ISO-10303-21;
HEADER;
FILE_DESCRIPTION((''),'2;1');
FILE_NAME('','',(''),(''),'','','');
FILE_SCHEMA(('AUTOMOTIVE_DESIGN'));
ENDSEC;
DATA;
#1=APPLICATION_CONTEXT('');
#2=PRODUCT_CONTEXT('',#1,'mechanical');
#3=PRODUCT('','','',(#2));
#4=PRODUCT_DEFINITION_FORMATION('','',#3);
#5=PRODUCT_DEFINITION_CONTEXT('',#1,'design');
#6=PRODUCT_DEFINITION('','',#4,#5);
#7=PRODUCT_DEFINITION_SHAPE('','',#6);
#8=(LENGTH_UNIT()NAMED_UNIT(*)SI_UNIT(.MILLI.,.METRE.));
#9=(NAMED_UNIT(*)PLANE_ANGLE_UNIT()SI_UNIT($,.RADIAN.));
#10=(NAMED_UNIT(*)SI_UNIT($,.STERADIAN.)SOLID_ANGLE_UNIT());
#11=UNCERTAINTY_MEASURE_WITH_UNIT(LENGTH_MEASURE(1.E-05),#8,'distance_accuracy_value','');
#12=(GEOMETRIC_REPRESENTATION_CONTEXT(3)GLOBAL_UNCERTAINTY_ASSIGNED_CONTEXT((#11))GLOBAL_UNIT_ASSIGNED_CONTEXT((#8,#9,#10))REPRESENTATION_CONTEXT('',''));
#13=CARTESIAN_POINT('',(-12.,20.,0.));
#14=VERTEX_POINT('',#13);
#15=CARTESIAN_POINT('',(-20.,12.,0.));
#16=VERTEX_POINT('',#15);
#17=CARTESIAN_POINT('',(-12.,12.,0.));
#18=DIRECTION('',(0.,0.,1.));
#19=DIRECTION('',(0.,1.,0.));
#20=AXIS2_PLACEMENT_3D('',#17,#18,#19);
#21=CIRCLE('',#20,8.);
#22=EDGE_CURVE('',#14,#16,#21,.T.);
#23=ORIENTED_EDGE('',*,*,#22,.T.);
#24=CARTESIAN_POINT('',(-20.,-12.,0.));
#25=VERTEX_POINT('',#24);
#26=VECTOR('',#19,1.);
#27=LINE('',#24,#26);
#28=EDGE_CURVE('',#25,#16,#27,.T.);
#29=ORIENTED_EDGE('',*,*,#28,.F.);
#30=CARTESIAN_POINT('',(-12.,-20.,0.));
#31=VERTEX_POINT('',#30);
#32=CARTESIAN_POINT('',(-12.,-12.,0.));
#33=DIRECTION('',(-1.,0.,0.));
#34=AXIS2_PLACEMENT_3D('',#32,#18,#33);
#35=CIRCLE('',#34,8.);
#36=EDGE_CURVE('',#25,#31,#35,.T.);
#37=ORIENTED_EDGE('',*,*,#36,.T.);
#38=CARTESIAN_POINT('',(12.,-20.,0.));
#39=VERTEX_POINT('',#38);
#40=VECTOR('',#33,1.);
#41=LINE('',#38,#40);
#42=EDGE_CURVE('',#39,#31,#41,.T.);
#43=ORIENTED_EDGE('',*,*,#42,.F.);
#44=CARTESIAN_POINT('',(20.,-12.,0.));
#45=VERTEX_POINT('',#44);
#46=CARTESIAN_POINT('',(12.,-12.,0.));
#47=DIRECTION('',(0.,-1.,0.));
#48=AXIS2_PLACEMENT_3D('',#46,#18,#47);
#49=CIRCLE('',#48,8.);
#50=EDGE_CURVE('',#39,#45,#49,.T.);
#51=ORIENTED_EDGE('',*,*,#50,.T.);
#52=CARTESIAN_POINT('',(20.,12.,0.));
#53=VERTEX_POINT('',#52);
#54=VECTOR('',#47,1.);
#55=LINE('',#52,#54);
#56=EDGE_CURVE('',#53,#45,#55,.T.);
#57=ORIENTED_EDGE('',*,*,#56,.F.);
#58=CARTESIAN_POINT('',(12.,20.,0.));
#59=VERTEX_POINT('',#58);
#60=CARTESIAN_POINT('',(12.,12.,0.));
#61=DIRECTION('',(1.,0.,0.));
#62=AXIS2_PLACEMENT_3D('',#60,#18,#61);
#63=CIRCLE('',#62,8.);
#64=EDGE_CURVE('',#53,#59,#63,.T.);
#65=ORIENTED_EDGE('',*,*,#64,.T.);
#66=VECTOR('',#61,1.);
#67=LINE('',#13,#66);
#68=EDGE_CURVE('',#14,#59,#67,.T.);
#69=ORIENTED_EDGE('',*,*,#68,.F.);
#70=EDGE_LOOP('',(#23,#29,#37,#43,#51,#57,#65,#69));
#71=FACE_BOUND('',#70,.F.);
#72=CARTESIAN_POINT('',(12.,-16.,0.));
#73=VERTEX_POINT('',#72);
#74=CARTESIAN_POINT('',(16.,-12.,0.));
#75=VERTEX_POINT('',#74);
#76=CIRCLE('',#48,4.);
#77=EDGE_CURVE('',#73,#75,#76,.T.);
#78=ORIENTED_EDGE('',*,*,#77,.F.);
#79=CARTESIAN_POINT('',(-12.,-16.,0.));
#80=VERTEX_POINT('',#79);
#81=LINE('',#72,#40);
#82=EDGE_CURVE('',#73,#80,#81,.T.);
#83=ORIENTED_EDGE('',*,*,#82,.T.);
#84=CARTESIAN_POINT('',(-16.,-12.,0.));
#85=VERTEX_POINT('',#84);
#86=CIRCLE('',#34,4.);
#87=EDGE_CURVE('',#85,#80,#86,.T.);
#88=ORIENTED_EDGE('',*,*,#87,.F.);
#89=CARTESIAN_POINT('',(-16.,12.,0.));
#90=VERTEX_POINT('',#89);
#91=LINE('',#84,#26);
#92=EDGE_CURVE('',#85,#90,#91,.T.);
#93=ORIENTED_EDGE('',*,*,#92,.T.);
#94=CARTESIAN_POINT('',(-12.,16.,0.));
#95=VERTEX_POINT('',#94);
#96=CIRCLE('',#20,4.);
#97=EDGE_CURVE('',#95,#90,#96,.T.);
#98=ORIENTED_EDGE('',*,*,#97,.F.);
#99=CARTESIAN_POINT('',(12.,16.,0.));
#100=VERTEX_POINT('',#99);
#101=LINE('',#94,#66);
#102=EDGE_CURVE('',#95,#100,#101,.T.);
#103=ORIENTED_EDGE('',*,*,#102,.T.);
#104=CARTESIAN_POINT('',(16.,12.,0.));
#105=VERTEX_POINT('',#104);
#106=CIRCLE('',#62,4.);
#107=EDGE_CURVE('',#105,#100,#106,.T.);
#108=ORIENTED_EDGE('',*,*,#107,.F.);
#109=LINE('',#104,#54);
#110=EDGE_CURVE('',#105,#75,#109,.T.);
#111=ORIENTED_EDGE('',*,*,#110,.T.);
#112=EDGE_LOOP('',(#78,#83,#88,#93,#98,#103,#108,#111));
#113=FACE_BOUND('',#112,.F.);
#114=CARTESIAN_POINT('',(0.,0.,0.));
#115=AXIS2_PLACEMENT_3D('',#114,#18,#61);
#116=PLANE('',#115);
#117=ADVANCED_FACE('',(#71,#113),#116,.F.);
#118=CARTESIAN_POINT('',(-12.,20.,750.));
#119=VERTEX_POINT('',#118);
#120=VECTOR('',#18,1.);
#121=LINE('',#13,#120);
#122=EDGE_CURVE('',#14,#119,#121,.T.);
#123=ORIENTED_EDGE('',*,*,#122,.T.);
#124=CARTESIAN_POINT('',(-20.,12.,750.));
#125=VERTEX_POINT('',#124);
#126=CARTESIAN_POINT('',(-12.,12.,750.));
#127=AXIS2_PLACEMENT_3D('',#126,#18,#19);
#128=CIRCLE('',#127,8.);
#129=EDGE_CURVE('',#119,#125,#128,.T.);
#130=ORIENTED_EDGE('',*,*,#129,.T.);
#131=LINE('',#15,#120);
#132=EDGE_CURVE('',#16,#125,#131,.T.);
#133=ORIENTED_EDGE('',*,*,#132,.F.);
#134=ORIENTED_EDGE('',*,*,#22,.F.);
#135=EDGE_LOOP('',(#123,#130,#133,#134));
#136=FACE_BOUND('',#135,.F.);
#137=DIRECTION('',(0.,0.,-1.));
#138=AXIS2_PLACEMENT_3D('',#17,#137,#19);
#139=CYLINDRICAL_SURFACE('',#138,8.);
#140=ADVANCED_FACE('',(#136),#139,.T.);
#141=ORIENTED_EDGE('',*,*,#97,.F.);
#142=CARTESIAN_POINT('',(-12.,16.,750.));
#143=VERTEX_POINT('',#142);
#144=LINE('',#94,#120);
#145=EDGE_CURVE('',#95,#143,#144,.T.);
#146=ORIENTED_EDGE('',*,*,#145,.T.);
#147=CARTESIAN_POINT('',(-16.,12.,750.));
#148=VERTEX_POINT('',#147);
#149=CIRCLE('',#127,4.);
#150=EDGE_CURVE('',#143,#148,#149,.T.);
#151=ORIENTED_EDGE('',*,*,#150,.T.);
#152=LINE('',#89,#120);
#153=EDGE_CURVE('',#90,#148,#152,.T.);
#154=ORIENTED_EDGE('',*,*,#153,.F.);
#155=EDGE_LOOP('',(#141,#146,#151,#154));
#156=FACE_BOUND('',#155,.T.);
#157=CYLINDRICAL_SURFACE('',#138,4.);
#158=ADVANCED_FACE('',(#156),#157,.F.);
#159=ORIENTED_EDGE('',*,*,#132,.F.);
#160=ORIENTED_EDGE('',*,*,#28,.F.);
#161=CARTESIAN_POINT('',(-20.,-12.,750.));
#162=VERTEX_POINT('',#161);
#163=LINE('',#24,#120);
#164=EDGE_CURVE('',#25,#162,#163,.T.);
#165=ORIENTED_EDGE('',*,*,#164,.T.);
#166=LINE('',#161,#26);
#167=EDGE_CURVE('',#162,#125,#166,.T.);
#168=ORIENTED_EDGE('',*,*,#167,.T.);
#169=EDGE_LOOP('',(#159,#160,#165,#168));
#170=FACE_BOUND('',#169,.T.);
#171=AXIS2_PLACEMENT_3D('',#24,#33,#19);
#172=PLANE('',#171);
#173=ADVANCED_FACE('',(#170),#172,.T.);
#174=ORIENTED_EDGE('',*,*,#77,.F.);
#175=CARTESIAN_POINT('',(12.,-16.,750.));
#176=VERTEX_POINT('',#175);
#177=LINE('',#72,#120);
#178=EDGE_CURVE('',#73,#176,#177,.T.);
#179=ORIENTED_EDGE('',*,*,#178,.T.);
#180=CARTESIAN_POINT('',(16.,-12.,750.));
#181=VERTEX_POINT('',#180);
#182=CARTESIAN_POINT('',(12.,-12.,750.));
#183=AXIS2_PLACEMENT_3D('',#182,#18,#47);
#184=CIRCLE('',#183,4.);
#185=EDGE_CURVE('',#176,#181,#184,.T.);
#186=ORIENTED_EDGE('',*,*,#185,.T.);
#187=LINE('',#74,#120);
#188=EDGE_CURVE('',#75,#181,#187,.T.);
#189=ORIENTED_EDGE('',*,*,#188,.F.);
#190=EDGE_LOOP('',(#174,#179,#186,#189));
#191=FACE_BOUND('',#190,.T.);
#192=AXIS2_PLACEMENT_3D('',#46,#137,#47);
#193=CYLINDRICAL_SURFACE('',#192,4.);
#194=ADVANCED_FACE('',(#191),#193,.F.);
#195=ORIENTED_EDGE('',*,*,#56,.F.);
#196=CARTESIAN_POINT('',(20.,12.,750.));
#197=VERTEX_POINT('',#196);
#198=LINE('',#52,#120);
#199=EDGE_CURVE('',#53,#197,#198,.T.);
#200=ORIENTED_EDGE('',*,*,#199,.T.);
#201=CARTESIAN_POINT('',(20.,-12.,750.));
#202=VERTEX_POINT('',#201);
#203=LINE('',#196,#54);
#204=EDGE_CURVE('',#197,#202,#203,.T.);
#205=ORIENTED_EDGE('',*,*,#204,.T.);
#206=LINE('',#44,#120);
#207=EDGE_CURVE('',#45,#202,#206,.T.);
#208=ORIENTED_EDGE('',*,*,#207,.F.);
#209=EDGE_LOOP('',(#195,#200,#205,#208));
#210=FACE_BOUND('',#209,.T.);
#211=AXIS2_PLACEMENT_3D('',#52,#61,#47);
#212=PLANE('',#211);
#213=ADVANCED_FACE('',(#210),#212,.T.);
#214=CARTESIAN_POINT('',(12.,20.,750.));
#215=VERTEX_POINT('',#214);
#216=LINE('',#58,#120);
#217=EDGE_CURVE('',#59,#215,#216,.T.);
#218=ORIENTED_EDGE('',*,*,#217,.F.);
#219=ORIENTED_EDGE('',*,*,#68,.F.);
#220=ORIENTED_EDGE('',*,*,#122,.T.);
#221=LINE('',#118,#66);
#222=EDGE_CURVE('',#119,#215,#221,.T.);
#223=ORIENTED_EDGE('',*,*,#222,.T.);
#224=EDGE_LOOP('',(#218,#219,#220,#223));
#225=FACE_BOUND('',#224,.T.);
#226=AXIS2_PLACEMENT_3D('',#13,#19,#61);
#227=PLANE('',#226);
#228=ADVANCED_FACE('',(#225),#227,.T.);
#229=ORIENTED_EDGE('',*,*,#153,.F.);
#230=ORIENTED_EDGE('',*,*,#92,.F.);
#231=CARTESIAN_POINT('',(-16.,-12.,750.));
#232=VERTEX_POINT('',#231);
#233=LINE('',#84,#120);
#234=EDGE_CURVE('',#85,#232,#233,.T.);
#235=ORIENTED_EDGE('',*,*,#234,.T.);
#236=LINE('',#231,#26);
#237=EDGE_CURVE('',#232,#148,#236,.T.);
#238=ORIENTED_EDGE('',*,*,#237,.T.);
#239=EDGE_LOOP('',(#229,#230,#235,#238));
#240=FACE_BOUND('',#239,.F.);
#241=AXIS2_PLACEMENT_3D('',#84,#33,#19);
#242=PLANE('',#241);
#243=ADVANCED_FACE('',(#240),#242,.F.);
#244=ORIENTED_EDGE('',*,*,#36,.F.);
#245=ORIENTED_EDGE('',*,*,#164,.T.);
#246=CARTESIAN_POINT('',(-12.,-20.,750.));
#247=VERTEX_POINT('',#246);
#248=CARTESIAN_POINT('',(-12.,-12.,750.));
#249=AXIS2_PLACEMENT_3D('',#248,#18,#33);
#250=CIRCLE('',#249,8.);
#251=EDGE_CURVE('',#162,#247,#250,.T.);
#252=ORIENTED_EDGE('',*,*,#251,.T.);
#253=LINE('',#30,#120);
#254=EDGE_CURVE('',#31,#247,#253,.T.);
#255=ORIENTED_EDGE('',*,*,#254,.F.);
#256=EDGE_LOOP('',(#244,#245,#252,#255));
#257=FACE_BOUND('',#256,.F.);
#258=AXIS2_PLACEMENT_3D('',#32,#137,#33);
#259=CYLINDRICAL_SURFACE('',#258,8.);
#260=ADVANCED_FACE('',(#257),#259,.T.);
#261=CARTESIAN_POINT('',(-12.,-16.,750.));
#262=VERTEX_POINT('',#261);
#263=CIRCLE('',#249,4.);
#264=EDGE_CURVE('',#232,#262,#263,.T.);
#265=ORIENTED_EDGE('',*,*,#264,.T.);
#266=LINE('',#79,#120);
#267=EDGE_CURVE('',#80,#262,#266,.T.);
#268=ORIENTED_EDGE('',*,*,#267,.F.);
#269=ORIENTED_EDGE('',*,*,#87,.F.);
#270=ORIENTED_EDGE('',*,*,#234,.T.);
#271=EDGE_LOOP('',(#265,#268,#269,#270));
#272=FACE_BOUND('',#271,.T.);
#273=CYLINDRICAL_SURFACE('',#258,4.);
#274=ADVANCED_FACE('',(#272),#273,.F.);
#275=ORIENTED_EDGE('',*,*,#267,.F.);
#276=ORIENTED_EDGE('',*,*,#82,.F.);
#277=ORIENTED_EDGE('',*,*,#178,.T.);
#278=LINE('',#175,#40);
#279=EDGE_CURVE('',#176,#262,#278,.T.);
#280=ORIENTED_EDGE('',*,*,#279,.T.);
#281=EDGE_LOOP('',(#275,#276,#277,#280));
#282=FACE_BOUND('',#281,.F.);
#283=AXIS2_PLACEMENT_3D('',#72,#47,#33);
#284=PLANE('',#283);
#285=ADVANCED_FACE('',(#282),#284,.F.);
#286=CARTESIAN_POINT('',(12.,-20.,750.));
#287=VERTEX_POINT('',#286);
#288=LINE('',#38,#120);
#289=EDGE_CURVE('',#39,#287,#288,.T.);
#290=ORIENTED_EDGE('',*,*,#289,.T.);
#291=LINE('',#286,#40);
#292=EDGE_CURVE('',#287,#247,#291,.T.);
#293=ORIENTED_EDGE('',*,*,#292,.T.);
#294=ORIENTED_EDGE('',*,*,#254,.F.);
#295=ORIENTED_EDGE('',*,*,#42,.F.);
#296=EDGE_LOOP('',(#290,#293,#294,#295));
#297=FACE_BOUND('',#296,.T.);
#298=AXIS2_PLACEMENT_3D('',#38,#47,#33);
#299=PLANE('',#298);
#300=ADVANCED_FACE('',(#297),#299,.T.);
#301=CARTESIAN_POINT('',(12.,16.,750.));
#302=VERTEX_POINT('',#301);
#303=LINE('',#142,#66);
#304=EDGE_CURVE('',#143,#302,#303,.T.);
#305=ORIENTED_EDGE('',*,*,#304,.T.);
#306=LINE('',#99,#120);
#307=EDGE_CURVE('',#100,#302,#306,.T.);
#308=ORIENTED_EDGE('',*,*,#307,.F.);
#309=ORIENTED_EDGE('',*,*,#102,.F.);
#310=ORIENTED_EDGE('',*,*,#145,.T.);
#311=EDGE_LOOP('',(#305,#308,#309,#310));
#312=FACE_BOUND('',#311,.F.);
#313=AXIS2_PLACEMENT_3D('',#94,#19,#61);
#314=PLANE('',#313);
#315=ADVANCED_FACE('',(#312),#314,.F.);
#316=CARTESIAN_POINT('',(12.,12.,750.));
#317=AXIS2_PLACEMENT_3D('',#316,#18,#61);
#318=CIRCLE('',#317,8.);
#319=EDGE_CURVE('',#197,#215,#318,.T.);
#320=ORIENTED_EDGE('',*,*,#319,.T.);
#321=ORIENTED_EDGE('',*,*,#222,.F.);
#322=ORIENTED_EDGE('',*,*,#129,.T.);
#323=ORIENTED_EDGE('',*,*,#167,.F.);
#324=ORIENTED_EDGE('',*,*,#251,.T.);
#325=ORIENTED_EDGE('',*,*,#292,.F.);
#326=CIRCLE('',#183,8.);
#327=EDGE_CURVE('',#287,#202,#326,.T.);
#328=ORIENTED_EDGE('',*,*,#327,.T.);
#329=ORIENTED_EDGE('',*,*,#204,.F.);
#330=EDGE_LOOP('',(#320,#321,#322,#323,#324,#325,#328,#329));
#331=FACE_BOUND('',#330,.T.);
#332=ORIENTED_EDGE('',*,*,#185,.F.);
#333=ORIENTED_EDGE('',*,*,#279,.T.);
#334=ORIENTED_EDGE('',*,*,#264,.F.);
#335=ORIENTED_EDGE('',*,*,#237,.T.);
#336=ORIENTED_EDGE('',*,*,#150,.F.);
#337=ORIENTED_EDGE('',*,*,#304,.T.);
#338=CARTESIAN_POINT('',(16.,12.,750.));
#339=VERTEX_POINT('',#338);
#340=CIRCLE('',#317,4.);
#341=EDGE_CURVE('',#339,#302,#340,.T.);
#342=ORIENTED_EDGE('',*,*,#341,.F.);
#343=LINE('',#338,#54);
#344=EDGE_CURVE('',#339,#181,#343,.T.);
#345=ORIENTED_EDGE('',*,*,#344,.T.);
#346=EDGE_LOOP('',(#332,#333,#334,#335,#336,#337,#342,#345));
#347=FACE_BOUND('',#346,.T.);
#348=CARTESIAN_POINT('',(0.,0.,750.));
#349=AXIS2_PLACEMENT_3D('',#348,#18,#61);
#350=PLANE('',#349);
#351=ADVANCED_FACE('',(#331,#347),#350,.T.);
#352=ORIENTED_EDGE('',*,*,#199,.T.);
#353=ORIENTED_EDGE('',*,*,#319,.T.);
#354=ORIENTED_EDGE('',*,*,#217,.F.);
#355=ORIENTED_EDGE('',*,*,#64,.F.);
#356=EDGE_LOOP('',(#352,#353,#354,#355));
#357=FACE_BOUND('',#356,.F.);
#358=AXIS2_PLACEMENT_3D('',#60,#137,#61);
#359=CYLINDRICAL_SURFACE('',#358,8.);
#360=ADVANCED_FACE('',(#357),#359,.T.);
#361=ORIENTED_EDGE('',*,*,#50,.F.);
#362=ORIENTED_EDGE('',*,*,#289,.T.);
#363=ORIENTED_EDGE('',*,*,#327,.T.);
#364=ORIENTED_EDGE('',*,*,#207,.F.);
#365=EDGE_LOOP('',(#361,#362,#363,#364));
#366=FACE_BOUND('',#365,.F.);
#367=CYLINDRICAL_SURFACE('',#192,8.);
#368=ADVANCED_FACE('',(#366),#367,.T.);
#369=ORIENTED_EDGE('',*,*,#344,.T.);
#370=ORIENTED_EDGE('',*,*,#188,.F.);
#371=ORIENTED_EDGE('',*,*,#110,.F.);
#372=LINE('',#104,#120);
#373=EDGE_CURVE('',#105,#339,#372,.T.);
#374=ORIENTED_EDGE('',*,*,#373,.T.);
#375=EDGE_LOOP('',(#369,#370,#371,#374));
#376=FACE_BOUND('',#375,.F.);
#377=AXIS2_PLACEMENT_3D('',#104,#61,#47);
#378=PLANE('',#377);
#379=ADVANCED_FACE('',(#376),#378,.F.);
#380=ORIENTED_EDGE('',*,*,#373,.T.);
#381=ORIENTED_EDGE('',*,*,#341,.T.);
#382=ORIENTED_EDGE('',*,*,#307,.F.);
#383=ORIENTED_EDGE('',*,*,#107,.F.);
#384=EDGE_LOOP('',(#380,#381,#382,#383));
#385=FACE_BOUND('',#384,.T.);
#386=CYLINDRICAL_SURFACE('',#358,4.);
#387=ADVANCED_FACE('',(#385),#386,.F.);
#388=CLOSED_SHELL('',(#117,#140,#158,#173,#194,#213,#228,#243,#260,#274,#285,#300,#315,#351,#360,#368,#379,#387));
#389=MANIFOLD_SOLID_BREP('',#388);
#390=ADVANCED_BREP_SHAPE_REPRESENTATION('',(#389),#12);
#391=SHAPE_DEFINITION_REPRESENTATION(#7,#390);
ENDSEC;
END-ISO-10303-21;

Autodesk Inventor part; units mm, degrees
ref_plane "YZ Plane" through (0, 0, 0) normal (1, 0, 0) x (0, 1, 0)
ref_plane "Start plane" through (0, 0, 0) normal (0, 0, 1) x (1, 0, 0)
ref_plane "End plane" through (0, 0, 750) normal (0, 0, 1) x (1, 0, 0)
sketch "Sketch" plane through (0, 0, 0) normal (0, 0, 1) x (1, 0, 0)
  line L0 (-20, -12) -> (-20, 12)
  line L1 (-12, 20) -> (12, 20)
  line L2 (20, 12) -> (20, -12)
  line L3 (12, -20) -> (-12, -20)
  arc A0 (-20, -12) -> (-12, -20) centre (-12, -12) ccw
  arc A1 (-12, 20) -> (-20, 12) centre (-12, 12) ccw
  arc A2 (20, 12) -> (12, 20) centre (12, 12) ccw
  arc A3 (12, -20) -> (20, -12) centre (12, -12) ccw
  arc A4 (-12, 16) -> (-16, 12) centre (-12, 12) ccw
  line L4 (-12, 16) -> (12, 16)
  arc A5 (16, 12) -> (12, 16) centre (12, 12) ccw
  line L5 (16, 12) -> (16, -12)
  arc A6 (12, -16) -> (16, -12) centre (12, -12) ccw
  line L6 (12, -16) -> (-12, -16)
  arc A7 (-16, -12) -> (-12, -16) centre (-12, -12) ccw
  line L7 (-16, -12) -> (-16, 12)
  line L8 (0, 30.3196) -> (0, -30.3196) construction
  line L9 (-30.3196, 0) -> (30.3196, 0) construction
  dimension "d7" = 8
  dimension "d10" = 40
  dimension "d11" = 40
  dimension "d12" = 4
  dimension "d15" = 20
  dimension "d16" = 20
extrude "Body" add sketch "Sketch" along normal up to surface (750 mm away) from surface at 0
sketch "Sketch3" plane through (0, 0, 0) normal (0, 0, 1) x (1, 0, 0)
  line L0 (0, 0) -> (10, 0)
ref_plane "Work Plane3" through (0, 0, 0) normal (0, -1, 0) x (1, 0, 0)
sketch "Sketch4" plane through (0, 0, 0) normal (0, -1, 0) x (1, 0, 0)
  line L0 (-2, 0) -> (12, 0)
  line L1 (-2, 750) -> (12, 750)
  dimension "d18" = 750
equation "\"d7\" = G_IR"
equation "\"d10\" = G_H"
equation "\"d11\" = G_W"
equation "\"d12\" = G_T"
equation "\"d15\" = 0.5 * d10"
equation "\"d16\" = 0.5 * d11"
equation "\"d3\" = G_L"
equation "\"G_W\" = 40"
equation "\"G_H\" = 40"
equation "\"G_T\" = 4"
equation "\"G_IR\" = 8"
equation "\"G_L\" = d18"
equation "\"G_OFFSET_START\" = 0"
equation "\"G_OFFSET_END\" = 0"
equation "\"d14\" = G_OFFSET_END + B_L"
equation "\"B_L\" = 750"
properties part number "DIN EN 10219-2 - 40 x 40 x 4  - 750" material "Steel, Mild"
